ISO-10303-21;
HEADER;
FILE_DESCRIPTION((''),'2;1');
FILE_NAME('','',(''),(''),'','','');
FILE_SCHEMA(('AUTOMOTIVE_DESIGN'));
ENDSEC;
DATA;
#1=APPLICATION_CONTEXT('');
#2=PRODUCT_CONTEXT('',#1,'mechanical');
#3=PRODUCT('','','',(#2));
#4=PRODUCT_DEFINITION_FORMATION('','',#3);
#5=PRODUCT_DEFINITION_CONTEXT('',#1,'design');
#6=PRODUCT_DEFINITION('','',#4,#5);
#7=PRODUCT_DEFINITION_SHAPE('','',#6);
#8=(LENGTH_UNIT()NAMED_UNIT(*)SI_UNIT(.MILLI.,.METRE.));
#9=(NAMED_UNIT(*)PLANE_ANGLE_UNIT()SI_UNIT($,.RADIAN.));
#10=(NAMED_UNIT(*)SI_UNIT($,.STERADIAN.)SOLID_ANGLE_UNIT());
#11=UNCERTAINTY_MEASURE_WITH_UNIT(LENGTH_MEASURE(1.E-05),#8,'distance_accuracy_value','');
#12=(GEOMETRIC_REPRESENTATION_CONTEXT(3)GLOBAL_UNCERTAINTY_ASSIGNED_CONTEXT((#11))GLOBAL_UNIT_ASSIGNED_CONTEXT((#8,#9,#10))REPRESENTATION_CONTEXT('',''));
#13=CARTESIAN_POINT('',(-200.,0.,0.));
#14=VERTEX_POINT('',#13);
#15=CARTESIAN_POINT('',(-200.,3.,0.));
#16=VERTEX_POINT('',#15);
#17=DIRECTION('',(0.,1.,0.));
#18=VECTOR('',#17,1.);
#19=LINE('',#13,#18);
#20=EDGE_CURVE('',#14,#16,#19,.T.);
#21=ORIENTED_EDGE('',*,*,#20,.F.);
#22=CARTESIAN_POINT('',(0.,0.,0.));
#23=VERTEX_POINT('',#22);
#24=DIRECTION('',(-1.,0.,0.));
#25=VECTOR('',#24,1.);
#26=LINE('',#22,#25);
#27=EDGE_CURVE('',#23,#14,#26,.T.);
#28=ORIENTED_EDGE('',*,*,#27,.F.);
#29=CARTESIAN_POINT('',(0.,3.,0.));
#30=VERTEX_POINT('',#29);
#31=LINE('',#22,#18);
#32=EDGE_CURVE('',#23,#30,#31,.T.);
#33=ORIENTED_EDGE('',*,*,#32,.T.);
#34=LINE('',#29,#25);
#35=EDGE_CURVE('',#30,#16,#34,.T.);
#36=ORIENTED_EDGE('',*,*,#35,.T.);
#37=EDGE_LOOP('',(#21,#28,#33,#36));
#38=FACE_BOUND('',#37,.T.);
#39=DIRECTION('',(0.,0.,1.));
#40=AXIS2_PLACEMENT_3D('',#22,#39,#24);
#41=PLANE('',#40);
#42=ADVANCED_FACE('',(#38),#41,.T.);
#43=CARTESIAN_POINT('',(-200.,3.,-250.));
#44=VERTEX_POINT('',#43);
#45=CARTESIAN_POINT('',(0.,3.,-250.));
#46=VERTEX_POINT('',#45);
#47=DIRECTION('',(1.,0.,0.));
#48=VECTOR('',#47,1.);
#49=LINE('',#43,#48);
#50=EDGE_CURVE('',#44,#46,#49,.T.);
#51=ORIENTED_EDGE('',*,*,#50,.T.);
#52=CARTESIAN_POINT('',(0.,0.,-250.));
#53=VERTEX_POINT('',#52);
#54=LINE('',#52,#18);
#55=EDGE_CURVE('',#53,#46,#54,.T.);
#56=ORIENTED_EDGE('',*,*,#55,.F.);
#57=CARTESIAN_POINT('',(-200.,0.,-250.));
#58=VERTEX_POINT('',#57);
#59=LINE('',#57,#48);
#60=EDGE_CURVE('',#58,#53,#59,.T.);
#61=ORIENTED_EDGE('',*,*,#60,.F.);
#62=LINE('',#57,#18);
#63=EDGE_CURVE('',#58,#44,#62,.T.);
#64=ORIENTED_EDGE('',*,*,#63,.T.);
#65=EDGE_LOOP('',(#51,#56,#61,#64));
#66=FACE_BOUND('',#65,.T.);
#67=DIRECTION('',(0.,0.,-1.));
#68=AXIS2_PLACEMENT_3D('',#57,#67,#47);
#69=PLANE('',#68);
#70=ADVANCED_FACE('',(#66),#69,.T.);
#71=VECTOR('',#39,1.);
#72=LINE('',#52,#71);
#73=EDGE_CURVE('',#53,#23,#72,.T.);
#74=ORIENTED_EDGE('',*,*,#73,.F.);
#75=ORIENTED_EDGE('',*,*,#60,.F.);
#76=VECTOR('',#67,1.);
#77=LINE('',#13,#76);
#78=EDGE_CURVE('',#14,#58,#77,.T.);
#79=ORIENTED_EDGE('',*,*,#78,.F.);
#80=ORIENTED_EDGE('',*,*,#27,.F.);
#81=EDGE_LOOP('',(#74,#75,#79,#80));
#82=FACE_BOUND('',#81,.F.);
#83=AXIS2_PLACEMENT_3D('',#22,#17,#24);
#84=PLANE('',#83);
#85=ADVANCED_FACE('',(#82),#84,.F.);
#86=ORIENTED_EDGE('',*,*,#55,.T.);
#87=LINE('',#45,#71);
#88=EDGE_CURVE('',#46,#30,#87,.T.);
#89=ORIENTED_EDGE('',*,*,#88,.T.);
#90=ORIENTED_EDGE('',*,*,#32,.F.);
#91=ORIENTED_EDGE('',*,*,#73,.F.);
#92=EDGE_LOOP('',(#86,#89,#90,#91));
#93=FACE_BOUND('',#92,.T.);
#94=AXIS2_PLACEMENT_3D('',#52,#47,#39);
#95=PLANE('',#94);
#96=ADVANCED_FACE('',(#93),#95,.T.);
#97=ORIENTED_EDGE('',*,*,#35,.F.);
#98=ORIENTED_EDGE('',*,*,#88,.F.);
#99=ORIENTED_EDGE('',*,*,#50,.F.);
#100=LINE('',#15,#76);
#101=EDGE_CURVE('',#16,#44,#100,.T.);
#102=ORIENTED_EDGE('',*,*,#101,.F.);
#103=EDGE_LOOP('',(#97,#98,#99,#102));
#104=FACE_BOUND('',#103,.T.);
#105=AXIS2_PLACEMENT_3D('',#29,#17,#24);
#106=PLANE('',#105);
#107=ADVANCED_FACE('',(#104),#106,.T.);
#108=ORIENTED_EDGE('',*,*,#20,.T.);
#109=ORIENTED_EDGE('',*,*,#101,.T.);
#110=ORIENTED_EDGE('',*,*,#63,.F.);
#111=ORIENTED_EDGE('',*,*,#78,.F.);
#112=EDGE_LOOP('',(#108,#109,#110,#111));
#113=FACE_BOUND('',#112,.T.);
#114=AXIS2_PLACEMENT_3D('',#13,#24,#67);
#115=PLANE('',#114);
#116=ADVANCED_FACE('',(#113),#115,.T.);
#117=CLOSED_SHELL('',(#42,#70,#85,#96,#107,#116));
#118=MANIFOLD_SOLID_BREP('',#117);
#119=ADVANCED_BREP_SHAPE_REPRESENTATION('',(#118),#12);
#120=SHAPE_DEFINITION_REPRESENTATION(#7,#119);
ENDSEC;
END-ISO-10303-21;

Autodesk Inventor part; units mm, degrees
ref_plane "YZ Plane" through (0, 0, 0) normal (1, 0, 0) x (0, 1, 0)
ref_plane "XZ Plane" through (0, 0, 0) normal (0, 1, 0) x (-1, 0, 0)
ref_plane "XY Plane" through (0, 0, 0) normal (0, 0, 1) x (1, 0, 0)
sketch "Esquisse1" plane through (0, 0, 0) normal (0, 1, 0) x (-1, 0, 0)
  line L0 (0, 0) -> (200, 0)
  line L1 (200, 0) -> (200, -250)
  line L2 (200, -250) -> (0, -250)
  line L3 (0, -250) -> (0, 0)
  dimension "d0" = 250
  dimension "d1" = 200
extrude "Extrusion1" add sketch "Esquisse1" along normal blind 3
properties part number "piece-interieur-2"
